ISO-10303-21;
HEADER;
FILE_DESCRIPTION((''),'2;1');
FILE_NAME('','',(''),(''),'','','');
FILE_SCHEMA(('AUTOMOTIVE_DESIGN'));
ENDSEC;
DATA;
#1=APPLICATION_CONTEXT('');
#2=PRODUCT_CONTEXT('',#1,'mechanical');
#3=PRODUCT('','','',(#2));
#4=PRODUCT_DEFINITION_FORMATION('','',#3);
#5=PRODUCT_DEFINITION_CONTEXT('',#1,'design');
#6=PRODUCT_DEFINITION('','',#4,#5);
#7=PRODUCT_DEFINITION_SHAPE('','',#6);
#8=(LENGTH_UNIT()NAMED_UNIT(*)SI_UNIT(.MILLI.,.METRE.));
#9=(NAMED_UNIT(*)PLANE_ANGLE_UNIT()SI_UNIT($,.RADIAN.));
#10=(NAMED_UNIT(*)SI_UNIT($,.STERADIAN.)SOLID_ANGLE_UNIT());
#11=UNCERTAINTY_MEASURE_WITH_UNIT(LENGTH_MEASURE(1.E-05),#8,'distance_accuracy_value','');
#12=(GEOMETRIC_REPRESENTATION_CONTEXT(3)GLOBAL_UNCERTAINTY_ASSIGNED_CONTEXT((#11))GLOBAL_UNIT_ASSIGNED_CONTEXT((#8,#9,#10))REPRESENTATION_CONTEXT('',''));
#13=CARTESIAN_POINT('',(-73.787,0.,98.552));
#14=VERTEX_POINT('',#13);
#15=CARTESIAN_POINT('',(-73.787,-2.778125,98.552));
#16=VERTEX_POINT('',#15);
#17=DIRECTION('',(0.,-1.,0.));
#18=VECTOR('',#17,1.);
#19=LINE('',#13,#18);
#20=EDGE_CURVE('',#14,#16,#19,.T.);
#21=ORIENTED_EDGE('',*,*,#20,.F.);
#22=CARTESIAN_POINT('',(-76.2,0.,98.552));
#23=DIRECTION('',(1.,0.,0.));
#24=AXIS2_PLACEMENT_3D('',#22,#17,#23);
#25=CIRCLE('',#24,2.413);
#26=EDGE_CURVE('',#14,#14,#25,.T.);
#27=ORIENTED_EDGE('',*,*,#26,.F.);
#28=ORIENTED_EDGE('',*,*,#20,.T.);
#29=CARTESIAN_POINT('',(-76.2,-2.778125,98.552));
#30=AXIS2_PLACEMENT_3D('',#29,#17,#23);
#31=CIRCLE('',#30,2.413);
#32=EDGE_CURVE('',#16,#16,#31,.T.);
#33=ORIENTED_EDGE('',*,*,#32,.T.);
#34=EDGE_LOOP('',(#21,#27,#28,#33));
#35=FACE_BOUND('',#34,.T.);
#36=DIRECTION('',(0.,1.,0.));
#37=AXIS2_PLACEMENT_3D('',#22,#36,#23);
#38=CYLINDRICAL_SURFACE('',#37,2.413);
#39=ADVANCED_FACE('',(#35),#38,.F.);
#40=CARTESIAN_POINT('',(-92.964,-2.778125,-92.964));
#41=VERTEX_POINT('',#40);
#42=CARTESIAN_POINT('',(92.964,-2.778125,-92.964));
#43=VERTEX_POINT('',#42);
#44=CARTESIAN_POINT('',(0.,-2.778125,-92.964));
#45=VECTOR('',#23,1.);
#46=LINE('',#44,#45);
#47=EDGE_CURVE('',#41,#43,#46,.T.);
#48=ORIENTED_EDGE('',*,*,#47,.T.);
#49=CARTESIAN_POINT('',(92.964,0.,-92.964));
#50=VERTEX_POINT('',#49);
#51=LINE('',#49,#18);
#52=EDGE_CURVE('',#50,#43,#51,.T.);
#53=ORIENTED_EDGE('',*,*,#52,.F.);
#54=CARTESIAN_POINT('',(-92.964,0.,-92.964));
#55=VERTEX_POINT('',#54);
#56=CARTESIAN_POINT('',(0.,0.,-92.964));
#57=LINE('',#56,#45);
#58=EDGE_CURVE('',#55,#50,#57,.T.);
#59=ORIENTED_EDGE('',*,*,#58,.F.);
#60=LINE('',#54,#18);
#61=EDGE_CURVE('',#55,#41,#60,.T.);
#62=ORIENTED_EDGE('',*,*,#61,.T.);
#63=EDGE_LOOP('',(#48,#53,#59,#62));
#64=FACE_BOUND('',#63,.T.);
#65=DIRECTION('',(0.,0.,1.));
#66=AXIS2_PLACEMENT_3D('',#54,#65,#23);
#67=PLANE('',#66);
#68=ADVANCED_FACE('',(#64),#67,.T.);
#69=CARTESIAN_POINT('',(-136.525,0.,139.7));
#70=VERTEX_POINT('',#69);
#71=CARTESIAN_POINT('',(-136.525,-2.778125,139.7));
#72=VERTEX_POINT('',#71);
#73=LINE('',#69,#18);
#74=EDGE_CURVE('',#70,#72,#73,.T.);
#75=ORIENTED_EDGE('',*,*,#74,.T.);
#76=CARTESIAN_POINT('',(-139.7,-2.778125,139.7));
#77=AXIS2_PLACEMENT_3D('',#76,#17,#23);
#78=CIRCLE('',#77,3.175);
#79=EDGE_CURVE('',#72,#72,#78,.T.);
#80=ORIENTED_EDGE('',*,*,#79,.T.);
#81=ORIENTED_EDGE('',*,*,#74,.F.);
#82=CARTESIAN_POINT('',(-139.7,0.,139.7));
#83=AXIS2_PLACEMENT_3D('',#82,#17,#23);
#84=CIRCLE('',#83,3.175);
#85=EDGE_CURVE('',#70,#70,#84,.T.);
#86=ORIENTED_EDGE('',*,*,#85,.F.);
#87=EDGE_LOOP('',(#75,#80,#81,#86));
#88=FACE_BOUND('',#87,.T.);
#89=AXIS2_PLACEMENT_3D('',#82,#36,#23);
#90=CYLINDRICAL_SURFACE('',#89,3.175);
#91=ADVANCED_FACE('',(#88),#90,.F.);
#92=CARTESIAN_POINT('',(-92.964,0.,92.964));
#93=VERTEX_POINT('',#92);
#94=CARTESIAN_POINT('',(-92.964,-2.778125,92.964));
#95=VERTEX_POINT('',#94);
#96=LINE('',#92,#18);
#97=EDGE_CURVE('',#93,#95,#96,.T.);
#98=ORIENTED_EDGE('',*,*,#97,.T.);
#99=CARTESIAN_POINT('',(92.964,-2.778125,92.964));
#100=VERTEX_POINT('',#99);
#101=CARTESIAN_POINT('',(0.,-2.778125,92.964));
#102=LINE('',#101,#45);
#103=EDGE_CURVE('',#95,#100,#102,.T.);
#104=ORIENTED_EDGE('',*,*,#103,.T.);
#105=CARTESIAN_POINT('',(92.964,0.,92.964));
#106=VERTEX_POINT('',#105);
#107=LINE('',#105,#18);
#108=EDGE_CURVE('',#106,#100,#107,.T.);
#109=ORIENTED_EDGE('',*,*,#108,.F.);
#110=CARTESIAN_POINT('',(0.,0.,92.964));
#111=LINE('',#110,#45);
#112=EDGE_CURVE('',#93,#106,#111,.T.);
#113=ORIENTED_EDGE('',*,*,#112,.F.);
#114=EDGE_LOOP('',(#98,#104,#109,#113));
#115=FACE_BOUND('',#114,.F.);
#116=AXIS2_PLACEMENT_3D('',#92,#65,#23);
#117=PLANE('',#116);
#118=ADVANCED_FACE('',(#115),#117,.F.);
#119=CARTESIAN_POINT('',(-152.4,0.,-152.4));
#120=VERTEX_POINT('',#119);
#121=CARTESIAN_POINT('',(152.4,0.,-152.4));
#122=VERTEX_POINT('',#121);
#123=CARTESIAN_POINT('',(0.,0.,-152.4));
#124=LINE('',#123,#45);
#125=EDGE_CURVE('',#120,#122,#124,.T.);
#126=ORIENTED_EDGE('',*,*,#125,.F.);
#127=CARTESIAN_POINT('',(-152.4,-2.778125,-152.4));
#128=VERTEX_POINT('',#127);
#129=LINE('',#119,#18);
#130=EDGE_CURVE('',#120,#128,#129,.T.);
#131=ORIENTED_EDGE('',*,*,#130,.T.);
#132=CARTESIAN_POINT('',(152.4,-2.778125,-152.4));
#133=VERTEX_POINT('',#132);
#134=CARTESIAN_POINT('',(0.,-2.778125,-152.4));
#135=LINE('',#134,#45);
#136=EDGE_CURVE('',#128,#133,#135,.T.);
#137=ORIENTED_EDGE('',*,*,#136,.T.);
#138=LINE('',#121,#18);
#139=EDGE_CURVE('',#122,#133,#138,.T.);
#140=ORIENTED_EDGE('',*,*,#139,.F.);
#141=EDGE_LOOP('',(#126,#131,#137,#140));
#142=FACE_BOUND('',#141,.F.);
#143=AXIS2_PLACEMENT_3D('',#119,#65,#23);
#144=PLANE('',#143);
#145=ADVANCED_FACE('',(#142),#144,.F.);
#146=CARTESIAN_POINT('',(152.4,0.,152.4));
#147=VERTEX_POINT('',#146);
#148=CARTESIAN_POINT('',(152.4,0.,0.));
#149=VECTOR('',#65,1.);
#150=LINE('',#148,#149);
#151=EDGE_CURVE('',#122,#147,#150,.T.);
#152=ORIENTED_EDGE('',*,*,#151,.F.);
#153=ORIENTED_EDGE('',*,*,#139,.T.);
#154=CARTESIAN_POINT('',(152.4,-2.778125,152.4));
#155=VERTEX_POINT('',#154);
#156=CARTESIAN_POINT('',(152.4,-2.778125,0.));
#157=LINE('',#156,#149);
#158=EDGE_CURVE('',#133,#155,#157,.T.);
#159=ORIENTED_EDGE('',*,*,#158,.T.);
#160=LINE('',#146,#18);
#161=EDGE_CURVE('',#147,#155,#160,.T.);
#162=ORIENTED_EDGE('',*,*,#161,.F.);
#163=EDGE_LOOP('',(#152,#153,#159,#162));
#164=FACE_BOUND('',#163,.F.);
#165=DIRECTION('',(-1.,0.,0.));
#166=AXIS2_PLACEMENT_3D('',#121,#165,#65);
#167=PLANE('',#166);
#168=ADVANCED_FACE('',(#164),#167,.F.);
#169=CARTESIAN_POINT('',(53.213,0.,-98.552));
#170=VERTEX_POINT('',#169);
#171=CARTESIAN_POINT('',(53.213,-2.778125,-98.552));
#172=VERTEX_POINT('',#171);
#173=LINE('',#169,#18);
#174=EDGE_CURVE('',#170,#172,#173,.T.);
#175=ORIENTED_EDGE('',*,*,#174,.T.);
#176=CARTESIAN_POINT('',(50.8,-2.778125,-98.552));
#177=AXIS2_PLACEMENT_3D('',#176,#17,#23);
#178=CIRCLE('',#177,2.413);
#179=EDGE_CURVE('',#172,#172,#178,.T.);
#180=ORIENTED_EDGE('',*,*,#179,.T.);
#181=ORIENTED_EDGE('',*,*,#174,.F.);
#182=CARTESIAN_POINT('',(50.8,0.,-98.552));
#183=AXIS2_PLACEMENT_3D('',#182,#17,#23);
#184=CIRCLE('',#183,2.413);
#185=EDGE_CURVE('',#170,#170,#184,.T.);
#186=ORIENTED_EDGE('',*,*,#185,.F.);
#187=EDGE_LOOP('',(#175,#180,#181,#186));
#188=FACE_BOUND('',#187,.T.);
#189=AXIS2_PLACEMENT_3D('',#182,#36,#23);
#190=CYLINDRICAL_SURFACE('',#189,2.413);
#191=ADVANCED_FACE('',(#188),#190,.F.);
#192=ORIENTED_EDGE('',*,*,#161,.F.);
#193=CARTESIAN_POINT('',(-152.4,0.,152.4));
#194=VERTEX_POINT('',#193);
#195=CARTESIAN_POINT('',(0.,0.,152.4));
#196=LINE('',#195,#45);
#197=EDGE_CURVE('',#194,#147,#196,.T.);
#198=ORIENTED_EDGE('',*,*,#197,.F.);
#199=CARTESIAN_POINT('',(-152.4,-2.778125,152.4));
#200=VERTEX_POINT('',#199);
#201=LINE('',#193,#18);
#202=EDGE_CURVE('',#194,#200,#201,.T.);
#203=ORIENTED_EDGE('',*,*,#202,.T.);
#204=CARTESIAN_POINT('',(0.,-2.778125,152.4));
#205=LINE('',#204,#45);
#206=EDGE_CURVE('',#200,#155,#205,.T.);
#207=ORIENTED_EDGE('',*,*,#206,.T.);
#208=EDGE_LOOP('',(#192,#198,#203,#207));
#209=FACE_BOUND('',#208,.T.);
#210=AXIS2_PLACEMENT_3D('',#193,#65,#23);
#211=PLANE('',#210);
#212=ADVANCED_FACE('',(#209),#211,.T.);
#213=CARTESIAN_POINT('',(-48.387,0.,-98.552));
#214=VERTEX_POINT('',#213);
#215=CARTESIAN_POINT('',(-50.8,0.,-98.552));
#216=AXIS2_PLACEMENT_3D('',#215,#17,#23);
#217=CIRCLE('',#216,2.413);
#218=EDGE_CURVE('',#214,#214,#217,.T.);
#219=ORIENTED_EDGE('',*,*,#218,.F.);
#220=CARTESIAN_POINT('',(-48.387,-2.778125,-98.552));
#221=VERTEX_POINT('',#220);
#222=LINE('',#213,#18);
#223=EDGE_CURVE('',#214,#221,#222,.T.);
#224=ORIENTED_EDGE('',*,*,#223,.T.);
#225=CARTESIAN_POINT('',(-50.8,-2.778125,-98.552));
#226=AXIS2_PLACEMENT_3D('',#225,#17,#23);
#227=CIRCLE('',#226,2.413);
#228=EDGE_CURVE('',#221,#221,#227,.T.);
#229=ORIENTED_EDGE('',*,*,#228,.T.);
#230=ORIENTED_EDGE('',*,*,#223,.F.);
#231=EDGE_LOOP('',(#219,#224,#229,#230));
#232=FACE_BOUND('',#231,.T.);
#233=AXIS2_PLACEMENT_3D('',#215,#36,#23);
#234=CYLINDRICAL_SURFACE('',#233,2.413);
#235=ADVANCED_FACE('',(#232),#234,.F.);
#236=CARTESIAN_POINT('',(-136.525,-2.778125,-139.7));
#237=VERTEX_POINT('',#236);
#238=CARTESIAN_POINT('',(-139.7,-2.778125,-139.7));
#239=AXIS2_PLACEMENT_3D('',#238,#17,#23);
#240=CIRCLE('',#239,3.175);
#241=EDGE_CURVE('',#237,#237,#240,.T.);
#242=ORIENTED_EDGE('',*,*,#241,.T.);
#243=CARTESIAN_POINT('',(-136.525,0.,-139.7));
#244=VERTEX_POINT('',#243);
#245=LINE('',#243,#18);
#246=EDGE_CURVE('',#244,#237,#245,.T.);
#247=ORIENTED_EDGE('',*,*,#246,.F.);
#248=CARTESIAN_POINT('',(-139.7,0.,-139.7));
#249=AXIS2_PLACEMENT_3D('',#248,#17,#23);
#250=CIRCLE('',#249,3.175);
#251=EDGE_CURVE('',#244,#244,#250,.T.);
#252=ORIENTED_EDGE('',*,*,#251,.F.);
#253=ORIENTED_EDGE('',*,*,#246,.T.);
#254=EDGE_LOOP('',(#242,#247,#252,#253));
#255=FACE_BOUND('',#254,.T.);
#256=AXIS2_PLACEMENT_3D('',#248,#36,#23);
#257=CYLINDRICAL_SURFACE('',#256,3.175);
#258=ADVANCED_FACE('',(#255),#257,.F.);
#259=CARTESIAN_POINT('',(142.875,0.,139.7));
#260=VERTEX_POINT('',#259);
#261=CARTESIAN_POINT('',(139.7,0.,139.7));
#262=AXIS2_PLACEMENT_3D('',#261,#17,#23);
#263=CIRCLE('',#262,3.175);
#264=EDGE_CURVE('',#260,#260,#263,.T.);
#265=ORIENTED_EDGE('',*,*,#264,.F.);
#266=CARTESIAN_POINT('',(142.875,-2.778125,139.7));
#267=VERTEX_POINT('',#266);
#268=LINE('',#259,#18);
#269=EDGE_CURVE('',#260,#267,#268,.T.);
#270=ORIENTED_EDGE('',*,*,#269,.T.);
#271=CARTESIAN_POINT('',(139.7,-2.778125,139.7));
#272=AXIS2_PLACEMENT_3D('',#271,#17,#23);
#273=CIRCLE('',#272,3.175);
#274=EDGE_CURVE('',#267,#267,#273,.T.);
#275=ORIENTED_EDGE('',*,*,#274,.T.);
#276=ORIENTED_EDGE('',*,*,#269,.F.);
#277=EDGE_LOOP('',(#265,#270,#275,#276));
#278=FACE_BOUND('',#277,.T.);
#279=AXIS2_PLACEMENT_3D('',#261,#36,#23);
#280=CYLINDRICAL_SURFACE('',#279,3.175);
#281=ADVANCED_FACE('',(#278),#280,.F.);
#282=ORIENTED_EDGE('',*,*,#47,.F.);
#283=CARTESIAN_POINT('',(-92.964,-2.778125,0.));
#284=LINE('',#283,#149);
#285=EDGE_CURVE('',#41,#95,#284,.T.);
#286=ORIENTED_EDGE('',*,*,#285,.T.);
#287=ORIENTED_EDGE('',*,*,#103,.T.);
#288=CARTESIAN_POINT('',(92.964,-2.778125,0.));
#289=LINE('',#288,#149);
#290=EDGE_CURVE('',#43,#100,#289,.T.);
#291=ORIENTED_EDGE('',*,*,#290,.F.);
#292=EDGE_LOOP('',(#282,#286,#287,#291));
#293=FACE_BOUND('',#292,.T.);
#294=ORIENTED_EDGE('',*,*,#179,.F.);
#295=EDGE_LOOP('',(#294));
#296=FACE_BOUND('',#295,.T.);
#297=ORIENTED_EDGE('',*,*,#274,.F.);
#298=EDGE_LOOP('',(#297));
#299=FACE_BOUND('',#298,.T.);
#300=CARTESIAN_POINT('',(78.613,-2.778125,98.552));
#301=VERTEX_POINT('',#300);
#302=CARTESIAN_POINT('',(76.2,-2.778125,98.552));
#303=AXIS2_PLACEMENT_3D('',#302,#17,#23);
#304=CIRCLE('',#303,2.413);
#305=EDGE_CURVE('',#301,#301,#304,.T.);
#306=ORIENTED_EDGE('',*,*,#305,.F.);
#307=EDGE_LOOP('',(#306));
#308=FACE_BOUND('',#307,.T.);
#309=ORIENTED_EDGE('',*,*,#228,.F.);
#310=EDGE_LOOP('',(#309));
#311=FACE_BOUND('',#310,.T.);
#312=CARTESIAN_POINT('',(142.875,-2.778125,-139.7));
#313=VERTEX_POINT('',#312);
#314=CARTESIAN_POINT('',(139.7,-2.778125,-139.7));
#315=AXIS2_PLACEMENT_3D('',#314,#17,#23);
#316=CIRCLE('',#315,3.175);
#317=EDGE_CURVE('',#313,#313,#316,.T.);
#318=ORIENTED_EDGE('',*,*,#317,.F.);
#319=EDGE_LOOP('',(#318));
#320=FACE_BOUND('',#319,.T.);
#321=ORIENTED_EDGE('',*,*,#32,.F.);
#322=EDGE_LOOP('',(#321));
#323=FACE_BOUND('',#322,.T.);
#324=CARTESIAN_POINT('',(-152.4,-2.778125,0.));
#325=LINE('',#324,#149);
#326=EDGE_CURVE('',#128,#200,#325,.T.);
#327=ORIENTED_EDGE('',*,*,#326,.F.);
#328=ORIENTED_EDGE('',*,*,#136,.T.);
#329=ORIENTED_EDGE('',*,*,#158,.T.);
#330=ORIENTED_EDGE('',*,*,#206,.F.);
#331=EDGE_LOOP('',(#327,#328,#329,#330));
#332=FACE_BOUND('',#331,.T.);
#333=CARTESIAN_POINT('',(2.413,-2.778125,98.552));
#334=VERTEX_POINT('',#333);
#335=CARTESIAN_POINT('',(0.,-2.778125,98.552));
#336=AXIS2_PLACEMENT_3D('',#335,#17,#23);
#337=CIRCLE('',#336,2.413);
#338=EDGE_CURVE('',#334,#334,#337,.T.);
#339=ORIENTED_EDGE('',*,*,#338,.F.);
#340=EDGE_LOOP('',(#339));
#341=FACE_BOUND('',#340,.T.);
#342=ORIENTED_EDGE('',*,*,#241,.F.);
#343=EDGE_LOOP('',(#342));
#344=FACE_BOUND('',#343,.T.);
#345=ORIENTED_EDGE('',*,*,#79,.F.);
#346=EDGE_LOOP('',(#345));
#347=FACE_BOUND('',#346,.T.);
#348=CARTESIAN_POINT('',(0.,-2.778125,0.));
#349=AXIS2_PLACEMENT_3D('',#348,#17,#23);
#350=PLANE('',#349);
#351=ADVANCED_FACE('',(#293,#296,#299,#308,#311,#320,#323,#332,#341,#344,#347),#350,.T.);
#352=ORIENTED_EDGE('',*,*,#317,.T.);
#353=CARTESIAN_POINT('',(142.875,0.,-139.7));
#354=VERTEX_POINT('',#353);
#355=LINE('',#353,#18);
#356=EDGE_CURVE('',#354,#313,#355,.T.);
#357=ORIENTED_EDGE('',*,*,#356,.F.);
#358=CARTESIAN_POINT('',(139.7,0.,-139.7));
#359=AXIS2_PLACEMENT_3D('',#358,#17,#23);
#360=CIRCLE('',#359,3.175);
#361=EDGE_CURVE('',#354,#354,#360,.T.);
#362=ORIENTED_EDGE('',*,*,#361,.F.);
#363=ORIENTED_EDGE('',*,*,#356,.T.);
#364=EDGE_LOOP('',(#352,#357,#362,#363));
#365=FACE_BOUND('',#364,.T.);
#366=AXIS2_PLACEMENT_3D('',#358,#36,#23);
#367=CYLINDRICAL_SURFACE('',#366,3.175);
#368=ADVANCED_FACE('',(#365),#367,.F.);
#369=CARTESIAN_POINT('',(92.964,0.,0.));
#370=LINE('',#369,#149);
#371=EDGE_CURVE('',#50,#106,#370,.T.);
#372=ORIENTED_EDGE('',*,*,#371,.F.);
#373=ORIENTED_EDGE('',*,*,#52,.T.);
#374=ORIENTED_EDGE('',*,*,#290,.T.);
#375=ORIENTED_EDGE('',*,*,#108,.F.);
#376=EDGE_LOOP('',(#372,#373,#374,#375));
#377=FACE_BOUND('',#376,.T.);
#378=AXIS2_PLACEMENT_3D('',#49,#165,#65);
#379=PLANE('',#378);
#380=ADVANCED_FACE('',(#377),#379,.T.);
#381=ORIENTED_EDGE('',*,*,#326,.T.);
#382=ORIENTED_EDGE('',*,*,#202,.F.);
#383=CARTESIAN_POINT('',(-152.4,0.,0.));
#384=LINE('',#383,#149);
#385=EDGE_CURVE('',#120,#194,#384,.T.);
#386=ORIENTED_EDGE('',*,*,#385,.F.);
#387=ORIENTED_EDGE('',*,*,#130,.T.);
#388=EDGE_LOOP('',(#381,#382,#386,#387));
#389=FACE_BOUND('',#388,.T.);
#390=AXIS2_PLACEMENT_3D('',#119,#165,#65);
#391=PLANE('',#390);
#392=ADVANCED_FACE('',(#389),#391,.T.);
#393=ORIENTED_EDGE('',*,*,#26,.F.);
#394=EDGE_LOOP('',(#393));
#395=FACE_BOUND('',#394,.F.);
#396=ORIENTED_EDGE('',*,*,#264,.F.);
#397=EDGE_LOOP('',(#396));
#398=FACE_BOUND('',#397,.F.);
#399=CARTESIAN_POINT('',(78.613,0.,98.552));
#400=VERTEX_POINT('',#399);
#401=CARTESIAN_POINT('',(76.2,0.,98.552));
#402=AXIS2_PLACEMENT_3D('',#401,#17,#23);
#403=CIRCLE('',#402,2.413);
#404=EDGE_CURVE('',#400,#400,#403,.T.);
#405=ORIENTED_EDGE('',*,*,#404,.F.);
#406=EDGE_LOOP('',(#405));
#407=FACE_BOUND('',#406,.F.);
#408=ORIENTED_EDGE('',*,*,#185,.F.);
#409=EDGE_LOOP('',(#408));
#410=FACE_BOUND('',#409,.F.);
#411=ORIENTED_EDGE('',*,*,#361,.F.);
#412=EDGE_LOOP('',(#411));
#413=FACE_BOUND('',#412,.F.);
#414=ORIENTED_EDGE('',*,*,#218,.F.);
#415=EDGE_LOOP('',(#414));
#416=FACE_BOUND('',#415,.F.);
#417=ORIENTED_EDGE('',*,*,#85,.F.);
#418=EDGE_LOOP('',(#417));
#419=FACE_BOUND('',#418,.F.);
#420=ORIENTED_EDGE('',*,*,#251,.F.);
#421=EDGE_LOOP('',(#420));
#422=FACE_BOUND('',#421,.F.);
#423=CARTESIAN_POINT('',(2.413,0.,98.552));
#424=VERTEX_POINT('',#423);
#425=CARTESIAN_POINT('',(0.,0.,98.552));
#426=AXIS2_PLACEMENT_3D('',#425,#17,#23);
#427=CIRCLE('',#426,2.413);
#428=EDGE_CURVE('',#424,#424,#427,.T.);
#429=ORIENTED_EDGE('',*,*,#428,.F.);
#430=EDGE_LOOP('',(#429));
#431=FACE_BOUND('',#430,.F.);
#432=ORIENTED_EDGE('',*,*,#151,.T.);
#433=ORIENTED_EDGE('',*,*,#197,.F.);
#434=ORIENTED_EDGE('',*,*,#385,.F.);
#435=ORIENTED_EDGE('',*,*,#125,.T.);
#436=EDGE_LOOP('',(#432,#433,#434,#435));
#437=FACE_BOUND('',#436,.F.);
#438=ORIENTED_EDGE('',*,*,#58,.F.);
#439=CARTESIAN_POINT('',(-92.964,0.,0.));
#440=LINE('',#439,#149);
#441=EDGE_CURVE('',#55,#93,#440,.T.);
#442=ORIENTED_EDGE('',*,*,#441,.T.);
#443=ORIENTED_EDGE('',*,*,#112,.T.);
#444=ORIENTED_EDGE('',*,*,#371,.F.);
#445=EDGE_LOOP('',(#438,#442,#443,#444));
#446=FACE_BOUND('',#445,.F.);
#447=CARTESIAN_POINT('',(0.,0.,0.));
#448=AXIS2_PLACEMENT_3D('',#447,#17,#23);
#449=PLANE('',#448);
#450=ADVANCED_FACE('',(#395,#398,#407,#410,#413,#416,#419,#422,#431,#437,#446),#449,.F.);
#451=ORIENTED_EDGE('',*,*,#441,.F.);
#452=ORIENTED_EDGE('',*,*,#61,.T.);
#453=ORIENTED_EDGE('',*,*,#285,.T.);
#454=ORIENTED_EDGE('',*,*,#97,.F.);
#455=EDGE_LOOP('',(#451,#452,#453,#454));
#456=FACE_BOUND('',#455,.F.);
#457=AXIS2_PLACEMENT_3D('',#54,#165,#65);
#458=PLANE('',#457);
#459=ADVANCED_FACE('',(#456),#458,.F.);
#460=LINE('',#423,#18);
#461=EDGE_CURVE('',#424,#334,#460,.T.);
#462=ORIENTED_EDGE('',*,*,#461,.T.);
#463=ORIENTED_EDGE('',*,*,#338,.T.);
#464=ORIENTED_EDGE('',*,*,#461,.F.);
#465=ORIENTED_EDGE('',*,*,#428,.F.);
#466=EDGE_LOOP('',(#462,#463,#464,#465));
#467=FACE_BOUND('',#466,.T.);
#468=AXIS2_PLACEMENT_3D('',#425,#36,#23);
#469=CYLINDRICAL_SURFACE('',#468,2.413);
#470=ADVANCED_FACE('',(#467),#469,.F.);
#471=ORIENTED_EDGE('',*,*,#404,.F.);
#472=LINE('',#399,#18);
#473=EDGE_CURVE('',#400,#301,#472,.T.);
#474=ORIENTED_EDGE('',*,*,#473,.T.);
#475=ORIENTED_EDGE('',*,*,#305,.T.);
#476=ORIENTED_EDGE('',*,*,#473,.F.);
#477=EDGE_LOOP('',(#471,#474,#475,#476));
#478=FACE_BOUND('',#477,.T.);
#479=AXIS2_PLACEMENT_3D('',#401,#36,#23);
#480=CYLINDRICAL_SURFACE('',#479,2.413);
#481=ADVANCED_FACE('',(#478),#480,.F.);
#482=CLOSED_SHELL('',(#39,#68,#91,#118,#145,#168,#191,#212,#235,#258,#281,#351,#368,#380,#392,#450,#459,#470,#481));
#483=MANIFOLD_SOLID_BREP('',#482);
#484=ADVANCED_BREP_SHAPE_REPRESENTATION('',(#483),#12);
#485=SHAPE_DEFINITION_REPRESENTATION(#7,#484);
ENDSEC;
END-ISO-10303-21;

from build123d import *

# Parameters (mm, degrees)
F0_W     = 304.8
F0_H     = 304.8
F0_R     = 3.175
F0_R_2   = 2.413
F0_W_2   = 185.928
F0_H_2   = 185.928
F1_DEPTH = 2.778125


with BuildPart() as f1:
    # F0 (on Front) → F1 (new body)
    with BuildSketch(Plane.XZ):
        Rectangle(F0_W, F0_H)
        with Locations((-139.7, -139.7)):
            Circle(F0_R, mode=Mode.SUBTRACT)
        with Locations((-50.8, -98.552)):
            Circle(F0_R_2, mode=Mode.SUBTRACT)
        with Locations((50.8, -98.552)):
            Circle(F0_R_2, mode=Mode.SUBTRACT)
        with Locations((139.7, -139.7)):
            Circle(F0_R, mode=Mode.SUBTRACT)
        with Locations((-139.7, 139.7)):
            Circle(F0_R, mode=Mode.SUBTRACT)
        with Locations((-76.2, 98.552)):
            Circle(F0_R_2, mode=Mode.SUBTRACT)
        Rectangle(F0_W_2, F0_H_2, mode=Mode.SUBTRACT)
        with Locations((0, 98.552)):
            Circle(F0_R_2, mode=Mode.SUBTRACT)
        with Locations((76.2, 98.552)):
            Circle(F0_R_2, mode=Mode.SUBTRACT)
        with Locations((139.7, 139.7)):
            Circle(F0_R, mode=Mode.SUBTRACT)
    extrude(amount=F1_DEPTH)


solid = f1.part
